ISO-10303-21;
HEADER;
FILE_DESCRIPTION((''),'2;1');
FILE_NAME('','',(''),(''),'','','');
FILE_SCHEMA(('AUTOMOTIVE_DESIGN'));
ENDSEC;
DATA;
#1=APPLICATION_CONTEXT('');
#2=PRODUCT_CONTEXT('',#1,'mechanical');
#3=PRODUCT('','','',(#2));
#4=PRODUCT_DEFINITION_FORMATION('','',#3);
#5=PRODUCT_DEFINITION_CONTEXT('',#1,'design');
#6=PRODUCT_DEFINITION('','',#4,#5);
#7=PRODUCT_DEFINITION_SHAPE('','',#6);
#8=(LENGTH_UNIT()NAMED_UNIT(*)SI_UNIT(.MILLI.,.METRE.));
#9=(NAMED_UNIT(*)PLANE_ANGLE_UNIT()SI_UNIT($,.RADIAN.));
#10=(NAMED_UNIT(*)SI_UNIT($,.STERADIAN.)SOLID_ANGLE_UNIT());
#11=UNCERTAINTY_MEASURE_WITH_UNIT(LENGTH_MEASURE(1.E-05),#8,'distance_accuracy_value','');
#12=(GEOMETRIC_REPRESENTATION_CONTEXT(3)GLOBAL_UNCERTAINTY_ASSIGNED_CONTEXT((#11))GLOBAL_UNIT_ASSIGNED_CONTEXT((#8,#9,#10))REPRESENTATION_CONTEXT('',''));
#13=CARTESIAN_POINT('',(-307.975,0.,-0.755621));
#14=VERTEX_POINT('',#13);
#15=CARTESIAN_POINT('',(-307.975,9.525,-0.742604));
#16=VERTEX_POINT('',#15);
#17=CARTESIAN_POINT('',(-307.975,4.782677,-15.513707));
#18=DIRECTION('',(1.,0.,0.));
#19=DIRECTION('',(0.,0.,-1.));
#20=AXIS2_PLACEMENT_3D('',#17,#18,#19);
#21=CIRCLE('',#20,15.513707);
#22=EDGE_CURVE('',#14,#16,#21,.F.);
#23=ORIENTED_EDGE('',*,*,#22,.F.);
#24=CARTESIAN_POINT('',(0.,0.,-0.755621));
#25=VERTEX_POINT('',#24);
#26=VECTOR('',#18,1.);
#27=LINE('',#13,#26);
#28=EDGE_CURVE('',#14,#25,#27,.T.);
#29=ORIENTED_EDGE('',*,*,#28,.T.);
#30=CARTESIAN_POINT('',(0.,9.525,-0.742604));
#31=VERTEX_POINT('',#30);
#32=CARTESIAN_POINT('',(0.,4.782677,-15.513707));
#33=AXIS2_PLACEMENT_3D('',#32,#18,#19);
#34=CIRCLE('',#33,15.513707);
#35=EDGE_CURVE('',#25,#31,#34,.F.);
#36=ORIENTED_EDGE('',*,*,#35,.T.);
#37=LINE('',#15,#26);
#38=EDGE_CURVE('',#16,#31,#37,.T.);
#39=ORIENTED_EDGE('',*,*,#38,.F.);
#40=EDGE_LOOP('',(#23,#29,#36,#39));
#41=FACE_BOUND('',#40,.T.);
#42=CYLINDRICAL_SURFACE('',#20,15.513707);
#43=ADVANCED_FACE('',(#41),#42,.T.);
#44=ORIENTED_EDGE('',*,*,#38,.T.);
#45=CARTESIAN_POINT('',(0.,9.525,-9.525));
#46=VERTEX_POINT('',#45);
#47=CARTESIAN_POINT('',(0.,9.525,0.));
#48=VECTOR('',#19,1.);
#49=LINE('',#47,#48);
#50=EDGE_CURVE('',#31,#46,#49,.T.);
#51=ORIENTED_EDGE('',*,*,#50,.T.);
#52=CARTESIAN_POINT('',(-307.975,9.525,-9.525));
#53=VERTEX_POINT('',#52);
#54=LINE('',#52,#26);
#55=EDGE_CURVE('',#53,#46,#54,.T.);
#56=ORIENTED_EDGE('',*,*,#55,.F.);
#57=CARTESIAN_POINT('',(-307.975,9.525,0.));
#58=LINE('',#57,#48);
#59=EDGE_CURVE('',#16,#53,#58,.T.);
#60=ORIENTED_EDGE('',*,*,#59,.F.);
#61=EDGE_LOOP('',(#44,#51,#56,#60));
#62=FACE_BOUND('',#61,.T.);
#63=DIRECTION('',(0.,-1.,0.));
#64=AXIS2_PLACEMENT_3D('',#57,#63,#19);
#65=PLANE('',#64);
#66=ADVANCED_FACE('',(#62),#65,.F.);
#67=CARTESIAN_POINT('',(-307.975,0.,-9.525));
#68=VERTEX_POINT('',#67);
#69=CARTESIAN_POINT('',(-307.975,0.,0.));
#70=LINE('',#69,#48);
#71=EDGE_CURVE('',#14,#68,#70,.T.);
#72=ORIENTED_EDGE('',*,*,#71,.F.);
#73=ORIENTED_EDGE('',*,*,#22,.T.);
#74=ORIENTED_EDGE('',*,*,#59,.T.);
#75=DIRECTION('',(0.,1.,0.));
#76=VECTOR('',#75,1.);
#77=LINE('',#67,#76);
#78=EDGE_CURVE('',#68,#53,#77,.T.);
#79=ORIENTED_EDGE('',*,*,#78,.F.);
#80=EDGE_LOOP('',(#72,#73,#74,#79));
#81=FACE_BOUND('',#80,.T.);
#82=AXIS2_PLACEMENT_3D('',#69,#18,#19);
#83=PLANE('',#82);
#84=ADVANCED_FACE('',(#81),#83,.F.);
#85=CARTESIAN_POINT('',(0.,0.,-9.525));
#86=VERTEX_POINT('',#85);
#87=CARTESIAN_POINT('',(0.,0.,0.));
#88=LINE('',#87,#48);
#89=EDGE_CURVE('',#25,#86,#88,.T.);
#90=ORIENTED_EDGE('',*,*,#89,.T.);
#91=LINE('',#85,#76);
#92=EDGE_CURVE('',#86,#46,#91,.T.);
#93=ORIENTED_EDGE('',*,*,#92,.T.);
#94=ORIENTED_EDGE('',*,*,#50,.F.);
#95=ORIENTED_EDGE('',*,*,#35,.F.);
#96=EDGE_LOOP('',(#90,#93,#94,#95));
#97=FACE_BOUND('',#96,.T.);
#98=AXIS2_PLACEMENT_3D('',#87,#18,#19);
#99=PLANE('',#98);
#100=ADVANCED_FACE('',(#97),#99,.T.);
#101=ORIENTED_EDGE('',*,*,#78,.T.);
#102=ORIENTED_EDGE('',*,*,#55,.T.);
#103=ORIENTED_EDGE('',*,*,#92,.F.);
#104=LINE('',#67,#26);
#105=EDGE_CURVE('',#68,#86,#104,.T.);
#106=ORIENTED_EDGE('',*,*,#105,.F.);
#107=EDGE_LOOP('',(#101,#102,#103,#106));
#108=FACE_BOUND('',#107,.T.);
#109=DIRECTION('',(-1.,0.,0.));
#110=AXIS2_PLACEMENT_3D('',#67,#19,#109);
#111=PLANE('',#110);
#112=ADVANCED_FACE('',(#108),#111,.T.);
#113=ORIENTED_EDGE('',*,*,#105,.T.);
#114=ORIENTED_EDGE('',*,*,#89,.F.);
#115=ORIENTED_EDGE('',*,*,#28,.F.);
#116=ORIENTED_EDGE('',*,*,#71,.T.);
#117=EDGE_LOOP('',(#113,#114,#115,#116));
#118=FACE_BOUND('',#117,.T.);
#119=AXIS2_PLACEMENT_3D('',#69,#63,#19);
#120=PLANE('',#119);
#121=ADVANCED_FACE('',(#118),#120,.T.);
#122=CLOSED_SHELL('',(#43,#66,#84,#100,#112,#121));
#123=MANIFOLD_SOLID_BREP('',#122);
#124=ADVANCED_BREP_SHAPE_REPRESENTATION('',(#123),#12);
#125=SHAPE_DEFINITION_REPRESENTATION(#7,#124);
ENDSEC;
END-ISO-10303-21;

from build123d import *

# Parameters (mm, degrees)
BOSS_EXTRUDE1_DEPTH = 307.975


with BuildPart() as part:
    # Sketch1 → Boss-Extrude1 (new body)
    with BuildSketch(Plane(origin=(0, 0, 0), x_dir=(0, 0, -1), z_dir=(1, 0, 0))):
        with BuildLine():
            ThreePointArc((0, 4.782677505), (0.1900696, 2.361677335), (0.755621044, 0))
            Line((0.755621044, 0), (9.525, 0))
            Line((9.525, 0), (9.525, 9.525))
            Line((9.525, 9.525), (0.742604052, 9.525))
            ThreePointArc((0.742604052, 9.525), (0.186775343, 7.182733932), (0, 4.782677505))
        make_face()
    extrude(amount=-BOSS_EXTRUDE1_DEPTH)


solid = part.part
